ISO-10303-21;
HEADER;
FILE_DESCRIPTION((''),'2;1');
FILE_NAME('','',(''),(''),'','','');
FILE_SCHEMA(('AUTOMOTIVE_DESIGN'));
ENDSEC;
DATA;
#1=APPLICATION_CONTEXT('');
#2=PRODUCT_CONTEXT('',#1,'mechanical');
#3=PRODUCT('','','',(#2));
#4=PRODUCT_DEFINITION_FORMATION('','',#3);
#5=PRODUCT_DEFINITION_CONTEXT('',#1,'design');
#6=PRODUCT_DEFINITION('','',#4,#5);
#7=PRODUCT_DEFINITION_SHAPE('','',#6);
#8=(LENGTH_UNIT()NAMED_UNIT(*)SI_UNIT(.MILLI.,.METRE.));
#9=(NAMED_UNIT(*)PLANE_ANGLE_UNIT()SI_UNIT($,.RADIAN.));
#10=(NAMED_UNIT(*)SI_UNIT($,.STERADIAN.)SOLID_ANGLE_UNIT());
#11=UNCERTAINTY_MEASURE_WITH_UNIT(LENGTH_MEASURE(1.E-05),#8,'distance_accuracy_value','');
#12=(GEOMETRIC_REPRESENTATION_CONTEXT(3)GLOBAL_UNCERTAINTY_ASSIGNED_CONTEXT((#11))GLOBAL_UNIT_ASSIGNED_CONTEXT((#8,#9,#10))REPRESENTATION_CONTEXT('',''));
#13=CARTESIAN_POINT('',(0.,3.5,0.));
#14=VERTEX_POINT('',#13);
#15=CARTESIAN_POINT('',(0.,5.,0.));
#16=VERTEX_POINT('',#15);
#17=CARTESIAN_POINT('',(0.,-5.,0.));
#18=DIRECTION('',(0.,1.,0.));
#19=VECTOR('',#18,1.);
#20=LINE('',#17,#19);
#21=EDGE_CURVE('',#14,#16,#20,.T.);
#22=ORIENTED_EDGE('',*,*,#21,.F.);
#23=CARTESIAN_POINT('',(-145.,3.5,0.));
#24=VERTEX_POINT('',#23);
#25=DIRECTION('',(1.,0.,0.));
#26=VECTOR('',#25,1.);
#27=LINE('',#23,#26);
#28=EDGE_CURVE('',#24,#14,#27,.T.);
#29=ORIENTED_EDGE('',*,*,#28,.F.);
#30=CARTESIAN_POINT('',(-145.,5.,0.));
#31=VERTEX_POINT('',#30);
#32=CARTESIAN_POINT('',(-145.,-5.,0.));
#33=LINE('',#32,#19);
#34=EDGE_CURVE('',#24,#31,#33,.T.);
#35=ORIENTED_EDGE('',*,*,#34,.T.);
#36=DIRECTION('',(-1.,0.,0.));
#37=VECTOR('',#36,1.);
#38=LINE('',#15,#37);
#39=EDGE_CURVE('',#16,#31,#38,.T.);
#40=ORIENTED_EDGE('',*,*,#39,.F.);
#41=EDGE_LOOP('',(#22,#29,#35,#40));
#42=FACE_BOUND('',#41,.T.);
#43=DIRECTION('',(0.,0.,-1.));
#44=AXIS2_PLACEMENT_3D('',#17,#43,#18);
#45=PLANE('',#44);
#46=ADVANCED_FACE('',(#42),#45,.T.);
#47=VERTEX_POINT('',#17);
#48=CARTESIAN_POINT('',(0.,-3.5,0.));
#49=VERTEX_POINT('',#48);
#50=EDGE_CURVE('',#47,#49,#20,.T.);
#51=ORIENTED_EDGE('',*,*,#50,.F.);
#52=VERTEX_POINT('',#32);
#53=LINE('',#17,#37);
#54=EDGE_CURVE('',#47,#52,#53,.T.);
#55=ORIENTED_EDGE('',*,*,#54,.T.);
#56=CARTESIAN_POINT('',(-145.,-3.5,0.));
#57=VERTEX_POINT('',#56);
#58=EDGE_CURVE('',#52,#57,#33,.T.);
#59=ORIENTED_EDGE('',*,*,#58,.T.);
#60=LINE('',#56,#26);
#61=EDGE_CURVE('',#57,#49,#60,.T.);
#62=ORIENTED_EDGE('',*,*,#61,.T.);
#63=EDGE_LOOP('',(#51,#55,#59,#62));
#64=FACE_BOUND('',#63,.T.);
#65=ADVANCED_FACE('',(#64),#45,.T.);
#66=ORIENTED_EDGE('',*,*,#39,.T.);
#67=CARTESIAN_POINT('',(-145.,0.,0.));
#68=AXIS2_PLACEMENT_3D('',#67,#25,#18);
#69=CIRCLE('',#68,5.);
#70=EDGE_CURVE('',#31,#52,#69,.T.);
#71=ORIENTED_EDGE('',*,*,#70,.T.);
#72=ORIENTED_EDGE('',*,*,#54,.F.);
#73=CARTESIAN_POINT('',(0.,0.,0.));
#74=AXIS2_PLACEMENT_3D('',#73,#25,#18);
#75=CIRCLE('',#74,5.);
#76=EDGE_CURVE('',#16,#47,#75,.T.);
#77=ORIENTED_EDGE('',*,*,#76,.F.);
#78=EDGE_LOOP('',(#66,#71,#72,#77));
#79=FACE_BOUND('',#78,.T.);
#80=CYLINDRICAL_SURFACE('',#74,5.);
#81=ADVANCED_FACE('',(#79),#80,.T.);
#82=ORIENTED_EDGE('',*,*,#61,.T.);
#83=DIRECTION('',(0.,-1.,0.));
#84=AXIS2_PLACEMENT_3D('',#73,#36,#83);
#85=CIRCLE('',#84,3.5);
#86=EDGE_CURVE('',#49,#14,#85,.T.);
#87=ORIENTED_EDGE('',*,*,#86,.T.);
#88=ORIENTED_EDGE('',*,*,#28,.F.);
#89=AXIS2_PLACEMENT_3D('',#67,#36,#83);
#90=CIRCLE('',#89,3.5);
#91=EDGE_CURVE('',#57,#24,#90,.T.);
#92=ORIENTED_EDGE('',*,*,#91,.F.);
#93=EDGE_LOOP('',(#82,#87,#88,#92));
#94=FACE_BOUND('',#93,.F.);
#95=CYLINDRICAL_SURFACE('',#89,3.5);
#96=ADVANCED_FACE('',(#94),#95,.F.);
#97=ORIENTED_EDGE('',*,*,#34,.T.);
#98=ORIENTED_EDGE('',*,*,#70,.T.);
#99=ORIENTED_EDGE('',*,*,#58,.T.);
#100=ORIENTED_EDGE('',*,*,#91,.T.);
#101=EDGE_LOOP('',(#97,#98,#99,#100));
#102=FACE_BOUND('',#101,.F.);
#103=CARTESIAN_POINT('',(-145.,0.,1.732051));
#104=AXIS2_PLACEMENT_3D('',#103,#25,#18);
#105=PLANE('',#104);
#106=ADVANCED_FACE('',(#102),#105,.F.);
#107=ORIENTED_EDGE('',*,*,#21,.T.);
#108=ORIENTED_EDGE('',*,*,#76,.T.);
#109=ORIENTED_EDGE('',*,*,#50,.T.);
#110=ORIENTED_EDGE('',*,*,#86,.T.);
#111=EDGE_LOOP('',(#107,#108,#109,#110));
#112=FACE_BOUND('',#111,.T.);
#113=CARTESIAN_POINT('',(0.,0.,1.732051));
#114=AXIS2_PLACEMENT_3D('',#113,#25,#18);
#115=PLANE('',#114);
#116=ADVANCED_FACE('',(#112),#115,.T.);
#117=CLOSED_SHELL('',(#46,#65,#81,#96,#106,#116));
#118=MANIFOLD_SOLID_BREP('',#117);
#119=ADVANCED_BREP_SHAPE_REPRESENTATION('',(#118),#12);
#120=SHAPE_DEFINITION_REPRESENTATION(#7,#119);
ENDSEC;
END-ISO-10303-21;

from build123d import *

# Parameters (mm, degrees)
F1_DEPTH = 145
F3_DEPTH = 145.001


with BuildPart() as f1:
    # F0 (on Right) → F1 (new body)
    with BuildSketch(Plane.YZ):
        with BuildLine():
            Line((-5, 0), (5, 0))
            ThreePointArc((5, 0), (0, 5), (-5, 0))
        make_face()
    extrude(amount=-F1_DEPTH)

    # F2 (on face) → F3 (cut, through all)
    with BuildSketch(Plane(origin=(-145, 0, 0), x_dir=(0, -1, 0), z_dir=(-1, 0, 0))):
        with BuildLine():
            Line((-3.5, 0), (3.5, 0))
            ThreePointArc((3.5, 0), (0, 3.5), (-3.5, 0))
        make_face()
    extrude(amount=-F3_DEPTH, mode=Mode.SUBTRACT)


solid = f1.part
